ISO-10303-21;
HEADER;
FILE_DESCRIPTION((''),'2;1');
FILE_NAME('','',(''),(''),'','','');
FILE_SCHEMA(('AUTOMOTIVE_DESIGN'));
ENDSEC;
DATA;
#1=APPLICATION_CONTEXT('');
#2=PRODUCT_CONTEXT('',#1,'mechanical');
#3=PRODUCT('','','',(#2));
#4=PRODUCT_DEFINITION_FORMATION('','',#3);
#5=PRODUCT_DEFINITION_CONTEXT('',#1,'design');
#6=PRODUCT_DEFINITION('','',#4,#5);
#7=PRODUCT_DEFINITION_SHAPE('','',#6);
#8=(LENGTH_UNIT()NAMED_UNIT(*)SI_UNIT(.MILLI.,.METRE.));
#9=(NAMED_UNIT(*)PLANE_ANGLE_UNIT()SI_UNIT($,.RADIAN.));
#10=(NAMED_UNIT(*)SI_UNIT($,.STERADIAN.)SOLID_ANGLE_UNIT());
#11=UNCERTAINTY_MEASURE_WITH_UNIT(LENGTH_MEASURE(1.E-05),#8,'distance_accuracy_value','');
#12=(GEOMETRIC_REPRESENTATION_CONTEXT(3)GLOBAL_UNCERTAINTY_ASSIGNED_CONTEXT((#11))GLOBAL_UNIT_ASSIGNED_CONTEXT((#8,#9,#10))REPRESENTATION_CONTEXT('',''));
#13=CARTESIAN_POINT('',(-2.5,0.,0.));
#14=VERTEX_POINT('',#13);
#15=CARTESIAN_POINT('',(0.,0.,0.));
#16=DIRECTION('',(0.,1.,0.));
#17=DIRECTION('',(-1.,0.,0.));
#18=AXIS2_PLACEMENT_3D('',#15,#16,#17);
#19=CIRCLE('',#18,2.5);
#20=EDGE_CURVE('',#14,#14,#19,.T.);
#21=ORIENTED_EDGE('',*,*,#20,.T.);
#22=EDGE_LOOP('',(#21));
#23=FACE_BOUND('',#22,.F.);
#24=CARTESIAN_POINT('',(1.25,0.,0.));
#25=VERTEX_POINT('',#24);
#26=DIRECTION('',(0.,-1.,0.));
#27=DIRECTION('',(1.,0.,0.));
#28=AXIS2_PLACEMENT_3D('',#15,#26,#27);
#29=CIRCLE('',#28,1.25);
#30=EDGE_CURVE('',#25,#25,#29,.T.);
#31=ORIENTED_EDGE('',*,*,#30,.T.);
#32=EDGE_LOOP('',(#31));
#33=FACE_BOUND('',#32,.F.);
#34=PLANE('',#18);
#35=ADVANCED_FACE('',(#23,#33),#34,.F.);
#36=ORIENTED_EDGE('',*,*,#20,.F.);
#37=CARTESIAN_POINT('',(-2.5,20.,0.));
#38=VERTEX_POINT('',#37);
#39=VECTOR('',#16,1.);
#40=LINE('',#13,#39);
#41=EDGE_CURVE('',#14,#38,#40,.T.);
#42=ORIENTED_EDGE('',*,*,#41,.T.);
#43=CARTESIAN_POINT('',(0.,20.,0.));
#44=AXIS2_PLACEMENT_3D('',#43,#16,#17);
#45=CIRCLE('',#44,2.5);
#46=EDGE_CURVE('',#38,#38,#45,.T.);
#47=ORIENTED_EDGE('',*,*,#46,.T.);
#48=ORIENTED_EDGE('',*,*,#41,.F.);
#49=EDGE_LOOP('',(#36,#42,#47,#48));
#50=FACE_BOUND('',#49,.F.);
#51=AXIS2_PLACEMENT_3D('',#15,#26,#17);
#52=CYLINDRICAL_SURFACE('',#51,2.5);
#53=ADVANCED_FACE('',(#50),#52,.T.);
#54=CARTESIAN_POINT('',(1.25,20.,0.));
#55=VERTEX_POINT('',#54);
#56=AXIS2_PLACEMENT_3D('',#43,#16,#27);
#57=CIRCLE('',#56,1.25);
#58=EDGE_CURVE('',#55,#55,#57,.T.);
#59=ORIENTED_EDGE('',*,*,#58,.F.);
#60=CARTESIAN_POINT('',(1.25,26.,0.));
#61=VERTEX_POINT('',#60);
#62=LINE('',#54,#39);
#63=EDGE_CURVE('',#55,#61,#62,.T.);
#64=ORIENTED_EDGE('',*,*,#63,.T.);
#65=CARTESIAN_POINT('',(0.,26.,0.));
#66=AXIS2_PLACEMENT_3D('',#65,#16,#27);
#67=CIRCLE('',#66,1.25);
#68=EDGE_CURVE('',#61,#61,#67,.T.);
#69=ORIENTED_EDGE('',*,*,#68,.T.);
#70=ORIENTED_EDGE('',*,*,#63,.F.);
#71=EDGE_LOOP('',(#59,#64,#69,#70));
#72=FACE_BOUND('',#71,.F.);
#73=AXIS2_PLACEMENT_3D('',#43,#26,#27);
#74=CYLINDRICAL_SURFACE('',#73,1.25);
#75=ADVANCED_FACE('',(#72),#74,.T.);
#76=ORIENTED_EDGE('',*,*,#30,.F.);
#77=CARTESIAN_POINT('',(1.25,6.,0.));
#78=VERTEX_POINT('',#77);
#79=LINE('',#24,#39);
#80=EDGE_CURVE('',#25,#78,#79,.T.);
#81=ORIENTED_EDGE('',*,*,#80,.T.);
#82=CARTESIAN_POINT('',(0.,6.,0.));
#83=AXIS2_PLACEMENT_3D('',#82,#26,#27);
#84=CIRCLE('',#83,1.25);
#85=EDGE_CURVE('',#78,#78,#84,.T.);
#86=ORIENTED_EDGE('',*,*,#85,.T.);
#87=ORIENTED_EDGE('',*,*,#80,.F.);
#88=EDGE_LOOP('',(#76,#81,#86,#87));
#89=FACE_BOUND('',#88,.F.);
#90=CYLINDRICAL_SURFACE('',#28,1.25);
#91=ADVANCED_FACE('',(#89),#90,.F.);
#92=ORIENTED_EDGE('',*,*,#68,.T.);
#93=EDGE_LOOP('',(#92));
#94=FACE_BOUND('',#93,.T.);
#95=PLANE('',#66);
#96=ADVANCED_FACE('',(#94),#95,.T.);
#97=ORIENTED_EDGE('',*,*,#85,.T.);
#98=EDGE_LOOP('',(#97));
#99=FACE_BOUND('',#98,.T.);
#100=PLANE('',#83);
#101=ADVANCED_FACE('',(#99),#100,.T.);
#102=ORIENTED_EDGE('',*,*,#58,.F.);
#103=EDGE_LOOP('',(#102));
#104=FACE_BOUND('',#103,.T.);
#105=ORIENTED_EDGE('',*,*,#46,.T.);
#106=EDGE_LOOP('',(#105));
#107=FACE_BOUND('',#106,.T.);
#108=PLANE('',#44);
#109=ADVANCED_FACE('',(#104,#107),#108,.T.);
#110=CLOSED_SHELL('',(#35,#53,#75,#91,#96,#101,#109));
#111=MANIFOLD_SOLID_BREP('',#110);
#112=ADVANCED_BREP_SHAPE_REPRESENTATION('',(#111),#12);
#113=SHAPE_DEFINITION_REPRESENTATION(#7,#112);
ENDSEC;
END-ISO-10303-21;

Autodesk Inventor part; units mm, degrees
ref_plane "YZ Plane" through (0, 0, 0) normal (1, 0, 0) x (0, 1, 0)
ref_plane "XZ Plane" through (0, 0, 0) normal (0, 1, 0) x (-1, 0, 0)
ref_plane "XY Plane" through (0, 0, 0) normal (0, 0, 1) x (1, 0, 0)
sketch "Sketch1" plane through (0, 0, 0) normal (0, 1, 0) x (-1, 0, 0)
  circle A0 centre (0, 0) radius 2.5
  dimension "d0" = 5
extrude "Extrusion1" add sketch "Sketch1" along normal blind 20
sketch "Sketch2" plane through (0, 20, 0) normal (0, 1, 0) x (1, 0, 0)
  circle A0 centre (0, 0) radius 1.25
  dimension "d3" = 2.5
extrude "Extrusion2" add sketch "Sketch2" along normal blind 6
sketch "Sketch3" plane through (0, 0, 0) normal (0, -1, 0) x (1, 0, 0)
  circle A0 centre (0, 0) radius 1.25
  dimension "d6" = 2.5
extrude "Extrusion3" cut sketch "Sketch3" against normal blind 6
thread "Thread1" size "M2.5x0.45" class "6H" standard "ANSI Metric M Profile" full length
thread "Thread2" size "M2.5x0.45" class "6g" standard "ANSI Metric M Profile" full length
properties part number "Mock Spacer"
